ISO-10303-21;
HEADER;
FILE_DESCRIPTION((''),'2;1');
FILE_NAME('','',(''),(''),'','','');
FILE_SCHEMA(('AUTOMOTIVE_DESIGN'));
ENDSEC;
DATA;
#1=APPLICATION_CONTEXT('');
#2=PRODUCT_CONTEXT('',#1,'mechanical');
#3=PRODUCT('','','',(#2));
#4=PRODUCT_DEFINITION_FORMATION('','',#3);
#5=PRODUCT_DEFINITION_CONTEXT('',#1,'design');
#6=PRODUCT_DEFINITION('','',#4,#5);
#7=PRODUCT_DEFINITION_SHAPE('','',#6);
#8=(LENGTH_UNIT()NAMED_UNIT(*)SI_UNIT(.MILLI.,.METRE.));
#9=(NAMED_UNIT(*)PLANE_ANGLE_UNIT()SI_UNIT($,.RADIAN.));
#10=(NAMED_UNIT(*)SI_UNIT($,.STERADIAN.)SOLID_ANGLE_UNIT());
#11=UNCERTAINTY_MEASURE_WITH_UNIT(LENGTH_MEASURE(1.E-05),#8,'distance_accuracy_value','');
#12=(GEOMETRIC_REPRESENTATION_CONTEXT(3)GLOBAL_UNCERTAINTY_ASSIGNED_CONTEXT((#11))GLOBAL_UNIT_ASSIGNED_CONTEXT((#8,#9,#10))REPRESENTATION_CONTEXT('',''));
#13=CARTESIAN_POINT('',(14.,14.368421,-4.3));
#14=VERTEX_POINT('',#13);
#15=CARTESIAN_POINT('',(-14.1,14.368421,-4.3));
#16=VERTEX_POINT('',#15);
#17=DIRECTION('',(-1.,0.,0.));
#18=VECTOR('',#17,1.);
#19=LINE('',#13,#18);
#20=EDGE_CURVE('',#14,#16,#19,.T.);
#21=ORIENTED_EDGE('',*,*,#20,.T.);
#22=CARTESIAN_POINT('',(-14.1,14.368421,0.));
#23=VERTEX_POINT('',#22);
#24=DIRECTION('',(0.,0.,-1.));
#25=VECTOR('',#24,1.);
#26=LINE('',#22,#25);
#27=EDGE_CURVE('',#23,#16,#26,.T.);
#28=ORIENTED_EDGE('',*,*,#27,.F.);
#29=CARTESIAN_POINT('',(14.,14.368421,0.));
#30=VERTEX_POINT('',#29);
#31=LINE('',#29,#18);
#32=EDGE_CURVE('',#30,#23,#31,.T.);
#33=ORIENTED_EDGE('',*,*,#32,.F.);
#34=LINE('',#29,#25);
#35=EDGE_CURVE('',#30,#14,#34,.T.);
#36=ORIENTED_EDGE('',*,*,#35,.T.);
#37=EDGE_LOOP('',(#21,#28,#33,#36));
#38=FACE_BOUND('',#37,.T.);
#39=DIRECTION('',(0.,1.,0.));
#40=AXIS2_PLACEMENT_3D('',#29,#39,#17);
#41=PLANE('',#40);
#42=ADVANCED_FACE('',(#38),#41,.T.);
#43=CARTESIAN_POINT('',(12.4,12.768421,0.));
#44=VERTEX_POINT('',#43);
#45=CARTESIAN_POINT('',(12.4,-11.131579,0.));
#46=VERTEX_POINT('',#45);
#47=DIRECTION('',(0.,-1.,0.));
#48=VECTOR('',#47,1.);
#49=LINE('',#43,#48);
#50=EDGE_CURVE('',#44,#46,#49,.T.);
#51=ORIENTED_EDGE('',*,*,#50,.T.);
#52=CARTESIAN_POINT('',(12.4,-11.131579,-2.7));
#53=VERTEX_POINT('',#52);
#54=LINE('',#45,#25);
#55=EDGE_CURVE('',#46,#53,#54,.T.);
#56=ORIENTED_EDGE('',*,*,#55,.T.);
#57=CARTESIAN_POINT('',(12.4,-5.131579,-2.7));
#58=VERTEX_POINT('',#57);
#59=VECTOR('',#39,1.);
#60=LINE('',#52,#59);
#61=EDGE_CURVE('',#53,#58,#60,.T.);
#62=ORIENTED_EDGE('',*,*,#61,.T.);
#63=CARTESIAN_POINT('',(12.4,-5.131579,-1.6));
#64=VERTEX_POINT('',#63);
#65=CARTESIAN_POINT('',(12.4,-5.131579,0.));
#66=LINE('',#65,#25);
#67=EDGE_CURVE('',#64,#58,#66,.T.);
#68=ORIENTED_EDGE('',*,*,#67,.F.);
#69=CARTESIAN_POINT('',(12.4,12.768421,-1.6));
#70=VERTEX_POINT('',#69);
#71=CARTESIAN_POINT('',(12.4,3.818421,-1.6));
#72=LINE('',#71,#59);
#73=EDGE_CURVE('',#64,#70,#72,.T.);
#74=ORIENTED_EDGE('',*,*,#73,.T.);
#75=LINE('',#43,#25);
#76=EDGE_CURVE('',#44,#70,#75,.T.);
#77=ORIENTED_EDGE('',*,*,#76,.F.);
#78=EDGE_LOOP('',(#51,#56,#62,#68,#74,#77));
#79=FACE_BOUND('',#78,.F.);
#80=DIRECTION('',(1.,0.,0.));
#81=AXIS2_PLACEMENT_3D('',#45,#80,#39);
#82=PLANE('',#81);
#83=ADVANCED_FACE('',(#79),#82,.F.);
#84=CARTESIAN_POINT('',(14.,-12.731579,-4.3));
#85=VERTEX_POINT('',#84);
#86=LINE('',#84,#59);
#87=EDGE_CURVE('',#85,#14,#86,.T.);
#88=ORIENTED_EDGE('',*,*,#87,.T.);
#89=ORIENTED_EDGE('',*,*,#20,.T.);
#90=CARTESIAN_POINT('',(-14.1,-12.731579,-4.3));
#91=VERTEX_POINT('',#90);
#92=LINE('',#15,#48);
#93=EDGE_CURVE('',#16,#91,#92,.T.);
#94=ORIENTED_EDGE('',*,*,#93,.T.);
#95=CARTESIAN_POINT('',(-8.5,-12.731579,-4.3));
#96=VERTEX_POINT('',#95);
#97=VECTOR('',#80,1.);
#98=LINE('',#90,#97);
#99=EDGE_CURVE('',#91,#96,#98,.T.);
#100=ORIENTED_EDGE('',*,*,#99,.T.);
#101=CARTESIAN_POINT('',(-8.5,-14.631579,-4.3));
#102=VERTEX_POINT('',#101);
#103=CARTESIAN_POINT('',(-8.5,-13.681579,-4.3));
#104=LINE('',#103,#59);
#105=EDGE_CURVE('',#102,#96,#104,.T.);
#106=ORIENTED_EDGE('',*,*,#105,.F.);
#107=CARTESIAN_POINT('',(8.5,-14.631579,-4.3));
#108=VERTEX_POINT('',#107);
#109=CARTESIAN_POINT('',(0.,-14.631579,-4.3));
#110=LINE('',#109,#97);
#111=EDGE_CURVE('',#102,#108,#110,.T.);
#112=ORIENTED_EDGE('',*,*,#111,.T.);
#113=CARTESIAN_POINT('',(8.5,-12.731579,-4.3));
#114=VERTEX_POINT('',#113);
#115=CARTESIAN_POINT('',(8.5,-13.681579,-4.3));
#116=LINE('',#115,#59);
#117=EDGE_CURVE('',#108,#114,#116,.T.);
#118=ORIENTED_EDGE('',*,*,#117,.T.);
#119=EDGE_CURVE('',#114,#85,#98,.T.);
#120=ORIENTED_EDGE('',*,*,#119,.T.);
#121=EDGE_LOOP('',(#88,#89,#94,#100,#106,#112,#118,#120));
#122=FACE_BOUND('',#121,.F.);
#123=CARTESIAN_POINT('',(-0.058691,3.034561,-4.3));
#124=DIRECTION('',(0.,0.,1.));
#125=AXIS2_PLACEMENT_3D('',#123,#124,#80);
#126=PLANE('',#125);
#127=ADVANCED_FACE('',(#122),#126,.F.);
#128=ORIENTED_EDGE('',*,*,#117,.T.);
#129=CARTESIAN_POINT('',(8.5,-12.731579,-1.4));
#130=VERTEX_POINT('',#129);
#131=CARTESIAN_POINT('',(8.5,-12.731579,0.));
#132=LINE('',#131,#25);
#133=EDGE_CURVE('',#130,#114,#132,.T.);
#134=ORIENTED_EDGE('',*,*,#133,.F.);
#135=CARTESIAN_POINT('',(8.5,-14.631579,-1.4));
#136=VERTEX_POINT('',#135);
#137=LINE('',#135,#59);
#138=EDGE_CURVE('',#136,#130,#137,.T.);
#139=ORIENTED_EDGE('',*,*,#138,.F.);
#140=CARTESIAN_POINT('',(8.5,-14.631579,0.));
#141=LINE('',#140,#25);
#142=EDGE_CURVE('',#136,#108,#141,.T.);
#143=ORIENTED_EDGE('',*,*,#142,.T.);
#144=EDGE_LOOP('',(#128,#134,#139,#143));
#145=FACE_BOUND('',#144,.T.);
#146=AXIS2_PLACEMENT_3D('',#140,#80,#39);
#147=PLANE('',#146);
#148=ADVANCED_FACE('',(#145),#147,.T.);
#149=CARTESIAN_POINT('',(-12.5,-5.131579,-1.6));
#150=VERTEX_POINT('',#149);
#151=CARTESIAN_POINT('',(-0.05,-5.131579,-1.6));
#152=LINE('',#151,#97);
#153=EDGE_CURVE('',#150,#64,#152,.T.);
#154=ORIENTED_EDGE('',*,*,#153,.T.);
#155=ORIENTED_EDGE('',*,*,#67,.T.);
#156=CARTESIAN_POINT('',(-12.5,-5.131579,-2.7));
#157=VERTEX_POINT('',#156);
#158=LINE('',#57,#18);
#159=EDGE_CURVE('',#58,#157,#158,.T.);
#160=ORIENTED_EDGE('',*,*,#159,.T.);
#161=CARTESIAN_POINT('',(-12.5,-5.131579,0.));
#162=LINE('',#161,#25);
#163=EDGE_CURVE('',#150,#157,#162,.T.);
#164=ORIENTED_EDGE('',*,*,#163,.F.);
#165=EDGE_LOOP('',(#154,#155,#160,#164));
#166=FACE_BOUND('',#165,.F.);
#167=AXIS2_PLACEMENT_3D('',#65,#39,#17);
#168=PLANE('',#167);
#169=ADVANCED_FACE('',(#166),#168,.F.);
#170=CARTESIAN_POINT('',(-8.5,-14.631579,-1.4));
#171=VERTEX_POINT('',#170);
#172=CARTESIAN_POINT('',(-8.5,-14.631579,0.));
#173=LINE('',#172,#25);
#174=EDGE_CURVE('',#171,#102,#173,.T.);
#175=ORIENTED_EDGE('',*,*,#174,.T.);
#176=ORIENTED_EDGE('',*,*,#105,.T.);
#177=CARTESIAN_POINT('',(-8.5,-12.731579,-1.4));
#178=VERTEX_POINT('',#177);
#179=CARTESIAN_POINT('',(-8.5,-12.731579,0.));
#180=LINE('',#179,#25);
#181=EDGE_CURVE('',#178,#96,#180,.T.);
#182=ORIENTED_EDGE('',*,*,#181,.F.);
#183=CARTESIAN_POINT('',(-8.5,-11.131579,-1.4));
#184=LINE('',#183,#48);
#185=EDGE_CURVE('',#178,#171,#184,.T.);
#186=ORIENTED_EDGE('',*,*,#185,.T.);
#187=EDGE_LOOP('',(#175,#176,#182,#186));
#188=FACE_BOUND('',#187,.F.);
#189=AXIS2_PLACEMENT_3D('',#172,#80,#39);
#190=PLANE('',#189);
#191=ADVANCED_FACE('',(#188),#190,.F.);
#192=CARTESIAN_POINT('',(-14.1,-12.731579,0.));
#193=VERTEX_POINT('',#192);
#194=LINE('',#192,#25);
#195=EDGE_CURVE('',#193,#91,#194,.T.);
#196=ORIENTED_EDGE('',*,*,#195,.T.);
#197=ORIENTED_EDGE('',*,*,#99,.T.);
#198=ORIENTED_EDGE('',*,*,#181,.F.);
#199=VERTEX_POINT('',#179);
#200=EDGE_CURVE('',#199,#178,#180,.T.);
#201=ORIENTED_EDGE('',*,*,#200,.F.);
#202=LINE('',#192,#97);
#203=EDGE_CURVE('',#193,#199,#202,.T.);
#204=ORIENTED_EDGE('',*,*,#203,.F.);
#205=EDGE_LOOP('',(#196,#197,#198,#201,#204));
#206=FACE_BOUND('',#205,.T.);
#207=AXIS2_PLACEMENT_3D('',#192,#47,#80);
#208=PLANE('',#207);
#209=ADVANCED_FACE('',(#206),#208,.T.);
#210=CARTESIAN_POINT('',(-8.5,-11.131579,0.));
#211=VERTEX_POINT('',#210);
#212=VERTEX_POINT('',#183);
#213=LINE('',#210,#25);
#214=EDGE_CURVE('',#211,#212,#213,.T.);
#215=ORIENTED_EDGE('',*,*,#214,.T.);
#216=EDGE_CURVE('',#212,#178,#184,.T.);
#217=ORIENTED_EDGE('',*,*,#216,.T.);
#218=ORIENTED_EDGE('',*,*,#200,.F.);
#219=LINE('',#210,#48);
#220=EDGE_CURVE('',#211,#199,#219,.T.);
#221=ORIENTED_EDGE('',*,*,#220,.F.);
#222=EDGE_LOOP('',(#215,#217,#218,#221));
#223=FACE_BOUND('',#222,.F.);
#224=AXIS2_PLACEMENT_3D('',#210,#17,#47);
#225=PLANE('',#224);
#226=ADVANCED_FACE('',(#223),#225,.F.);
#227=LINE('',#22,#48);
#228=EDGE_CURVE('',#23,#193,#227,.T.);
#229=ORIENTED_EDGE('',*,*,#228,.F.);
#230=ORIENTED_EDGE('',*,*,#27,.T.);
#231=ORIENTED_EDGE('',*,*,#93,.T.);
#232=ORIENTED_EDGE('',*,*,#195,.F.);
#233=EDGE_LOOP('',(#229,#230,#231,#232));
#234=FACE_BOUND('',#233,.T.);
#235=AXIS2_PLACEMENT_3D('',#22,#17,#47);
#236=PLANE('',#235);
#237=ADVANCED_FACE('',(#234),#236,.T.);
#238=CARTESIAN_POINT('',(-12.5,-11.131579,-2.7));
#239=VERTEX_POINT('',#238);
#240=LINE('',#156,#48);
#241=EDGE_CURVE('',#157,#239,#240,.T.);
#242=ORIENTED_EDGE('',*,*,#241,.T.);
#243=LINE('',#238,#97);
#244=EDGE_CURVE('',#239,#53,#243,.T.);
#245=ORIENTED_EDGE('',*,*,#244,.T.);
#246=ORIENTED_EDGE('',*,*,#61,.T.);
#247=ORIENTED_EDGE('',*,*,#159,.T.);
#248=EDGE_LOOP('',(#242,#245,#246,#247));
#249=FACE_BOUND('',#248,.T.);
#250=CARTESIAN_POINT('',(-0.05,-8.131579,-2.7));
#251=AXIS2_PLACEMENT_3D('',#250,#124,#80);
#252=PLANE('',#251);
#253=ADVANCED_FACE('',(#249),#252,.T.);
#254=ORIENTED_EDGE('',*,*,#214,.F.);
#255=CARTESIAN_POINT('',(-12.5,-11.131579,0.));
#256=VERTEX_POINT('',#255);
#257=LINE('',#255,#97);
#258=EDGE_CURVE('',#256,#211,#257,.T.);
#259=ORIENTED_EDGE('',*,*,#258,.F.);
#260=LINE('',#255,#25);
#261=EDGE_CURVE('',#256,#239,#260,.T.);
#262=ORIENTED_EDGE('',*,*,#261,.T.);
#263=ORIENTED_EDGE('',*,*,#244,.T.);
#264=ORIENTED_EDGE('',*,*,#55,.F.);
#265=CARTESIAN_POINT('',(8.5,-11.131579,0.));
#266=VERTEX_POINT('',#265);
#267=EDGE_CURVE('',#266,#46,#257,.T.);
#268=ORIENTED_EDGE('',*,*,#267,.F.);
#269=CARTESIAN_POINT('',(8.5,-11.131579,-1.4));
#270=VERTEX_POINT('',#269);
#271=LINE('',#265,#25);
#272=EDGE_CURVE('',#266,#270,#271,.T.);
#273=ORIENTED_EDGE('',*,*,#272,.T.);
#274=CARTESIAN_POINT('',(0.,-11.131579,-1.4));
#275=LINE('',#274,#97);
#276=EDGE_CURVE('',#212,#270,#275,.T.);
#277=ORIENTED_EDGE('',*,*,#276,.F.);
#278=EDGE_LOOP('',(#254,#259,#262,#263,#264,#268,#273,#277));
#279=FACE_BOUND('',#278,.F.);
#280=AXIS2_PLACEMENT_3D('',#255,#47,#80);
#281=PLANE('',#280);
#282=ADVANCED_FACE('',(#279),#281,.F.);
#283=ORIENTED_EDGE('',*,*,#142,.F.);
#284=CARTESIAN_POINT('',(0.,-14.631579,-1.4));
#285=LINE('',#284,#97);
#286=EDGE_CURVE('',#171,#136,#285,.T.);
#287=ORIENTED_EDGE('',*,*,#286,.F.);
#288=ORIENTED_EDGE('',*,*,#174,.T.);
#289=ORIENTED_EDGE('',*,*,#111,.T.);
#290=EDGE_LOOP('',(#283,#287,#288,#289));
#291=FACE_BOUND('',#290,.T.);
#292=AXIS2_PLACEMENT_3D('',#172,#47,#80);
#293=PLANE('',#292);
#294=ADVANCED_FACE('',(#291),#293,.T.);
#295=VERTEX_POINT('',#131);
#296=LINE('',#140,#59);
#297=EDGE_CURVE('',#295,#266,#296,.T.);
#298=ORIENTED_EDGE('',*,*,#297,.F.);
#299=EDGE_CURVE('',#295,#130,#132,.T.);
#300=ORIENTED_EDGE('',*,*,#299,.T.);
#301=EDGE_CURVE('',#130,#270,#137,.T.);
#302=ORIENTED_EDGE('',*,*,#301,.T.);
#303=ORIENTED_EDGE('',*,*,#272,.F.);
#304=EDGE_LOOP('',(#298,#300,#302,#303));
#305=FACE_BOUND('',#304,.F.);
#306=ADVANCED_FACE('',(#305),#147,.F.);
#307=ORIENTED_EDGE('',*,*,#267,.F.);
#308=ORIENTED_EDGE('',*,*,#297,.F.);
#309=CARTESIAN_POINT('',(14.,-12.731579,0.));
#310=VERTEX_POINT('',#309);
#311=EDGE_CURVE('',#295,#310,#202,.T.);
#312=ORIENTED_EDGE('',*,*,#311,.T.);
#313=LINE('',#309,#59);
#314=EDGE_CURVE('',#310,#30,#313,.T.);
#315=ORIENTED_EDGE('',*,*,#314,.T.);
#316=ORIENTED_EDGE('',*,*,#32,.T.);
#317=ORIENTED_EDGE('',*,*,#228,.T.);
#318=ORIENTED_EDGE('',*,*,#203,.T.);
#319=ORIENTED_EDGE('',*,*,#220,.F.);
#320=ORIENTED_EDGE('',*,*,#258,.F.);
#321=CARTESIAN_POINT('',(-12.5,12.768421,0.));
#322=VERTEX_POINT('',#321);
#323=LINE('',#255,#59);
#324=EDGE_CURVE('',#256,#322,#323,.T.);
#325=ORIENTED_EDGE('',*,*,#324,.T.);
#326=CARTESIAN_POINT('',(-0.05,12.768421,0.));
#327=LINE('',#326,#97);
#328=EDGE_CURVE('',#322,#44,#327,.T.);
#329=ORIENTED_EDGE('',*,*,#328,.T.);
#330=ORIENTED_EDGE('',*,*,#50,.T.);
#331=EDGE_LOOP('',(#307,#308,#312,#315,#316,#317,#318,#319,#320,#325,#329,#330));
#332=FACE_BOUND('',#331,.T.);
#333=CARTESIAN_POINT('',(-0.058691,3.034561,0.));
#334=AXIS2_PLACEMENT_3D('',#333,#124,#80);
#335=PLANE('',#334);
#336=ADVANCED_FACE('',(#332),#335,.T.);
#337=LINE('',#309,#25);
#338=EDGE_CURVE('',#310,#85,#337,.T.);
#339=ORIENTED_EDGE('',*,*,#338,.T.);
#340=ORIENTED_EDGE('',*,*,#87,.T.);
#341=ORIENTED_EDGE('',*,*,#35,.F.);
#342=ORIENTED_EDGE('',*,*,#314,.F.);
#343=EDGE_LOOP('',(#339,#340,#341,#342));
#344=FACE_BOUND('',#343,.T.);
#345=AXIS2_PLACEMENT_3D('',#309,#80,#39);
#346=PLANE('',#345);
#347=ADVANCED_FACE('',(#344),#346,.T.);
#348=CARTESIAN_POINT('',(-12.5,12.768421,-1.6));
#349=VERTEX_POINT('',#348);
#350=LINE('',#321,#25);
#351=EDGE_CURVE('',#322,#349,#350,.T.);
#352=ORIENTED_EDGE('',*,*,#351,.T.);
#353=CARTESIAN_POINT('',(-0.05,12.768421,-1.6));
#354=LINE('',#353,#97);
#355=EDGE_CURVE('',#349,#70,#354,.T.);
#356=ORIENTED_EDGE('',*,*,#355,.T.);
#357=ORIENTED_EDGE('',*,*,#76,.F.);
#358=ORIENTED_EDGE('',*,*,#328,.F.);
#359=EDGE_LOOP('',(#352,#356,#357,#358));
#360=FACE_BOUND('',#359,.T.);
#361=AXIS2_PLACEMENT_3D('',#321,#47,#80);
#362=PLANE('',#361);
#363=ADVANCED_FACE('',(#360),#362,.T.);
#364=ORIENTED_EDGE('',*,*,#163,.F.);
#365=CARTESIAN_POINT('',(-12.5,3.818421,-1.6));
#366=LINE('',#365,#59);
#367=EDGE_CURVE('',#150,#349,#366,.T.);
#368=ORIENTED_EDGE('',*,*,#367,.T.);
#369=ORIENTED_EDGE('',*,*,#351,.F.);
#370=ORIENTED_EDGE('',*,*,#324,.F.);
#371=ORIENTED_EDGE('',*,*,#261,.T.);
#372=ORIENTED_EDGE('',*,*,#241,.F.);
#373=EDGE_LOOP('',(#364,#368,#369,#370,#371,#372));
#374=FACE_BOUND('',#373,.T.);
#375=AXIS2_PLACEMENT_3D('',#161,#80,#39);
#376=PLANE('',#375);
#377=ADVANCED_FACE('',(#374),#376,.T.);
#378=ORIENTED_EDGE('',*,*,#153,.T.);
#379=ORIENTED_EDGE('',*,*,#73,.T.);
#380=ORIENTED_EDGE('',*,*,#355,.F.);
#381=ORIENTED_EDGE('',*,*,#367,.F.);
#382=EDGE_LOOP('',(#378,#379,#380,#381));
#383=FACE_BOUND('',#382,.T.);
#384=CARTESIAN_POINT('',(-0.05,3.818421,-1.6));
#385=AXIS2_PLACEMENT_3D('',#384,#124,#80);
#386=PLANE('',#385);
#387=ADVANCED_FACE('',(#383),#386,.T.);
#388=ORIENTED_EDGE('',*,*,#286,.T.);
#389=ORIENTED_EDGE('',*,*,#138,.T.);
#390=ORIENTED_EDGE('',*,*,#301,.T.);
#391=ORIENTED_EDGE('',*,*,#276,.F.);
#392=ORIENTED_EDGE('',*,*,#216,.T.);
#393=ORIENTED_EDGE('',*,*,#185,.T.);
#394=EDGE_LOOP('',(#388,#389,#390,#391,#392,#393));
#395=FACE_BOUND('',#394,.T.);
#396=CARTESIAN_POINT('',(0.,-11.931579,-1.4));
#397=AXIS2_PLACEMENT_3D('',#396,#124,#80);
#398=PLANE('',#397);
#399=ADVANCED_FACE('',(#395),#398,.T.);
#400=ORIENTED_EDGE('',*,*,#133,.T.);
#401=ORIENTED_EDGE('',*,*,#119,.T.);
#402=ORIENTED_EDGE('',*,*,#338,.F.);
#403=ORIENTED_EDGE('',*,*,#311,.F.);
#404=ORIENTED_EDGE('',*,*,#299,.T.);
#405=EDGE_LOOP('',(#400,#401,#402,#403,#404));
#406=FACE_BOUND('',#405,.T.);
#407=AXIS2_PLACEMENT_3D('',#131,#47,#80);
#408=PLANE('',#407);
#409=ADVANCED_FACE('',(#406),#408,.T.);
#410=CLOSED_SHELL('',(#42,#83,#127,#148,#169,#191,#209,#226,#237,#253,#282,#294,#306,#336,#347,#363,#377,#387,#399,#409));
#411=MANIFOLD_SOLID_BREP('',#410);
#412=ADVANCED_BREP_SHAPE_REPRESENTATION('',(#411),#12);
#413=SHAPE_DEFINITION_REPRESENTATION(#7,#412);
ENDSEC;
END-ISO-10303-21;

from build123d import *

# Parameters (mm, degrees)
F0_W     = 24.9
F0_H     = 17.9
F0_W_2   = 17
F0_H_2   = 1.6
F0_H_3   = 1.9
F1_DEPTH = 4.3
F2_DEPTH = 2.7
F3_DEPTH = 1.6
F4_DEPTH = 1.4


with BuildPart() as f1:
    # F0 (on Top) → F1 (new body)
    with BuildSketch(Plane.XY):
        Polygon((14, -12.731579), (14, 14.368421), (-14.1, 14.368421), (-14.1, -12.731579), (-8.5, -12.731579), (-8.5, -11.131579), (-12.5, -11.131579), (-12.5, -5.131579), (-12.5, 12.768421), (12.4, 12.768421), (12.4, -5.131579), (12.4, -11.131579), (8.5, -11.131579), (8.5, -12.731579), align=None)
        with Locations((-0.05, 3.818421)):
            Rectangle(F0_W, F0_H)
        Polygon((-8.5, -11.131579), (8.5, -11.131579), (12.4, -11.131579), (12.4, -5.131579), (-12.5, -5.131579), (-12.5, -11.131579), align=None)
        with Locations((0, -11.931579)):
            Rectangle(F0_W_2, F0_H_2)
        with Locations((0, -13.681579)):
            Rectangle(F0_W_2, F0_H_3)
    extrude(amount=-F1_DEPTH)

    # F0 (on Top) → F2 (cut)
    with BuildSketch(Plane.XY):
        Polygon((-8.5, -11.131579), (8.5, -11.131579), (12.4, -11.131579), (12.4, -5.131579), (-12.5, -5.131579), (-12.5, -11.131579), align=None)
    extrude(amount=-F2_DEPTH, mode=Mode.SUBTRACT)

    # F0 (on Top) → F3 (cut)
    with BuildSketch(Plane.XY):
        with Locations((-0.05, 3.818421)):
            Rectangle(F0_W, F0_H)
    extrude(amount=-F3_DEPTH, mode=Mode.SUBTRACT)

    # F0 (on Top) → F4 (cut)
    with BuildSketch(Plane.XY):
        with Locations((0, -11.931579)):
            Rectangle(F0_W_2, F0_H_2)
        with Locations((0, -13.681579)):
            Rectangle(F0_W_2, F0_H_3)
    extrude(amount=-F4_DEPTH, mode=Mode.SUBTRACT)


solid = f1.part
